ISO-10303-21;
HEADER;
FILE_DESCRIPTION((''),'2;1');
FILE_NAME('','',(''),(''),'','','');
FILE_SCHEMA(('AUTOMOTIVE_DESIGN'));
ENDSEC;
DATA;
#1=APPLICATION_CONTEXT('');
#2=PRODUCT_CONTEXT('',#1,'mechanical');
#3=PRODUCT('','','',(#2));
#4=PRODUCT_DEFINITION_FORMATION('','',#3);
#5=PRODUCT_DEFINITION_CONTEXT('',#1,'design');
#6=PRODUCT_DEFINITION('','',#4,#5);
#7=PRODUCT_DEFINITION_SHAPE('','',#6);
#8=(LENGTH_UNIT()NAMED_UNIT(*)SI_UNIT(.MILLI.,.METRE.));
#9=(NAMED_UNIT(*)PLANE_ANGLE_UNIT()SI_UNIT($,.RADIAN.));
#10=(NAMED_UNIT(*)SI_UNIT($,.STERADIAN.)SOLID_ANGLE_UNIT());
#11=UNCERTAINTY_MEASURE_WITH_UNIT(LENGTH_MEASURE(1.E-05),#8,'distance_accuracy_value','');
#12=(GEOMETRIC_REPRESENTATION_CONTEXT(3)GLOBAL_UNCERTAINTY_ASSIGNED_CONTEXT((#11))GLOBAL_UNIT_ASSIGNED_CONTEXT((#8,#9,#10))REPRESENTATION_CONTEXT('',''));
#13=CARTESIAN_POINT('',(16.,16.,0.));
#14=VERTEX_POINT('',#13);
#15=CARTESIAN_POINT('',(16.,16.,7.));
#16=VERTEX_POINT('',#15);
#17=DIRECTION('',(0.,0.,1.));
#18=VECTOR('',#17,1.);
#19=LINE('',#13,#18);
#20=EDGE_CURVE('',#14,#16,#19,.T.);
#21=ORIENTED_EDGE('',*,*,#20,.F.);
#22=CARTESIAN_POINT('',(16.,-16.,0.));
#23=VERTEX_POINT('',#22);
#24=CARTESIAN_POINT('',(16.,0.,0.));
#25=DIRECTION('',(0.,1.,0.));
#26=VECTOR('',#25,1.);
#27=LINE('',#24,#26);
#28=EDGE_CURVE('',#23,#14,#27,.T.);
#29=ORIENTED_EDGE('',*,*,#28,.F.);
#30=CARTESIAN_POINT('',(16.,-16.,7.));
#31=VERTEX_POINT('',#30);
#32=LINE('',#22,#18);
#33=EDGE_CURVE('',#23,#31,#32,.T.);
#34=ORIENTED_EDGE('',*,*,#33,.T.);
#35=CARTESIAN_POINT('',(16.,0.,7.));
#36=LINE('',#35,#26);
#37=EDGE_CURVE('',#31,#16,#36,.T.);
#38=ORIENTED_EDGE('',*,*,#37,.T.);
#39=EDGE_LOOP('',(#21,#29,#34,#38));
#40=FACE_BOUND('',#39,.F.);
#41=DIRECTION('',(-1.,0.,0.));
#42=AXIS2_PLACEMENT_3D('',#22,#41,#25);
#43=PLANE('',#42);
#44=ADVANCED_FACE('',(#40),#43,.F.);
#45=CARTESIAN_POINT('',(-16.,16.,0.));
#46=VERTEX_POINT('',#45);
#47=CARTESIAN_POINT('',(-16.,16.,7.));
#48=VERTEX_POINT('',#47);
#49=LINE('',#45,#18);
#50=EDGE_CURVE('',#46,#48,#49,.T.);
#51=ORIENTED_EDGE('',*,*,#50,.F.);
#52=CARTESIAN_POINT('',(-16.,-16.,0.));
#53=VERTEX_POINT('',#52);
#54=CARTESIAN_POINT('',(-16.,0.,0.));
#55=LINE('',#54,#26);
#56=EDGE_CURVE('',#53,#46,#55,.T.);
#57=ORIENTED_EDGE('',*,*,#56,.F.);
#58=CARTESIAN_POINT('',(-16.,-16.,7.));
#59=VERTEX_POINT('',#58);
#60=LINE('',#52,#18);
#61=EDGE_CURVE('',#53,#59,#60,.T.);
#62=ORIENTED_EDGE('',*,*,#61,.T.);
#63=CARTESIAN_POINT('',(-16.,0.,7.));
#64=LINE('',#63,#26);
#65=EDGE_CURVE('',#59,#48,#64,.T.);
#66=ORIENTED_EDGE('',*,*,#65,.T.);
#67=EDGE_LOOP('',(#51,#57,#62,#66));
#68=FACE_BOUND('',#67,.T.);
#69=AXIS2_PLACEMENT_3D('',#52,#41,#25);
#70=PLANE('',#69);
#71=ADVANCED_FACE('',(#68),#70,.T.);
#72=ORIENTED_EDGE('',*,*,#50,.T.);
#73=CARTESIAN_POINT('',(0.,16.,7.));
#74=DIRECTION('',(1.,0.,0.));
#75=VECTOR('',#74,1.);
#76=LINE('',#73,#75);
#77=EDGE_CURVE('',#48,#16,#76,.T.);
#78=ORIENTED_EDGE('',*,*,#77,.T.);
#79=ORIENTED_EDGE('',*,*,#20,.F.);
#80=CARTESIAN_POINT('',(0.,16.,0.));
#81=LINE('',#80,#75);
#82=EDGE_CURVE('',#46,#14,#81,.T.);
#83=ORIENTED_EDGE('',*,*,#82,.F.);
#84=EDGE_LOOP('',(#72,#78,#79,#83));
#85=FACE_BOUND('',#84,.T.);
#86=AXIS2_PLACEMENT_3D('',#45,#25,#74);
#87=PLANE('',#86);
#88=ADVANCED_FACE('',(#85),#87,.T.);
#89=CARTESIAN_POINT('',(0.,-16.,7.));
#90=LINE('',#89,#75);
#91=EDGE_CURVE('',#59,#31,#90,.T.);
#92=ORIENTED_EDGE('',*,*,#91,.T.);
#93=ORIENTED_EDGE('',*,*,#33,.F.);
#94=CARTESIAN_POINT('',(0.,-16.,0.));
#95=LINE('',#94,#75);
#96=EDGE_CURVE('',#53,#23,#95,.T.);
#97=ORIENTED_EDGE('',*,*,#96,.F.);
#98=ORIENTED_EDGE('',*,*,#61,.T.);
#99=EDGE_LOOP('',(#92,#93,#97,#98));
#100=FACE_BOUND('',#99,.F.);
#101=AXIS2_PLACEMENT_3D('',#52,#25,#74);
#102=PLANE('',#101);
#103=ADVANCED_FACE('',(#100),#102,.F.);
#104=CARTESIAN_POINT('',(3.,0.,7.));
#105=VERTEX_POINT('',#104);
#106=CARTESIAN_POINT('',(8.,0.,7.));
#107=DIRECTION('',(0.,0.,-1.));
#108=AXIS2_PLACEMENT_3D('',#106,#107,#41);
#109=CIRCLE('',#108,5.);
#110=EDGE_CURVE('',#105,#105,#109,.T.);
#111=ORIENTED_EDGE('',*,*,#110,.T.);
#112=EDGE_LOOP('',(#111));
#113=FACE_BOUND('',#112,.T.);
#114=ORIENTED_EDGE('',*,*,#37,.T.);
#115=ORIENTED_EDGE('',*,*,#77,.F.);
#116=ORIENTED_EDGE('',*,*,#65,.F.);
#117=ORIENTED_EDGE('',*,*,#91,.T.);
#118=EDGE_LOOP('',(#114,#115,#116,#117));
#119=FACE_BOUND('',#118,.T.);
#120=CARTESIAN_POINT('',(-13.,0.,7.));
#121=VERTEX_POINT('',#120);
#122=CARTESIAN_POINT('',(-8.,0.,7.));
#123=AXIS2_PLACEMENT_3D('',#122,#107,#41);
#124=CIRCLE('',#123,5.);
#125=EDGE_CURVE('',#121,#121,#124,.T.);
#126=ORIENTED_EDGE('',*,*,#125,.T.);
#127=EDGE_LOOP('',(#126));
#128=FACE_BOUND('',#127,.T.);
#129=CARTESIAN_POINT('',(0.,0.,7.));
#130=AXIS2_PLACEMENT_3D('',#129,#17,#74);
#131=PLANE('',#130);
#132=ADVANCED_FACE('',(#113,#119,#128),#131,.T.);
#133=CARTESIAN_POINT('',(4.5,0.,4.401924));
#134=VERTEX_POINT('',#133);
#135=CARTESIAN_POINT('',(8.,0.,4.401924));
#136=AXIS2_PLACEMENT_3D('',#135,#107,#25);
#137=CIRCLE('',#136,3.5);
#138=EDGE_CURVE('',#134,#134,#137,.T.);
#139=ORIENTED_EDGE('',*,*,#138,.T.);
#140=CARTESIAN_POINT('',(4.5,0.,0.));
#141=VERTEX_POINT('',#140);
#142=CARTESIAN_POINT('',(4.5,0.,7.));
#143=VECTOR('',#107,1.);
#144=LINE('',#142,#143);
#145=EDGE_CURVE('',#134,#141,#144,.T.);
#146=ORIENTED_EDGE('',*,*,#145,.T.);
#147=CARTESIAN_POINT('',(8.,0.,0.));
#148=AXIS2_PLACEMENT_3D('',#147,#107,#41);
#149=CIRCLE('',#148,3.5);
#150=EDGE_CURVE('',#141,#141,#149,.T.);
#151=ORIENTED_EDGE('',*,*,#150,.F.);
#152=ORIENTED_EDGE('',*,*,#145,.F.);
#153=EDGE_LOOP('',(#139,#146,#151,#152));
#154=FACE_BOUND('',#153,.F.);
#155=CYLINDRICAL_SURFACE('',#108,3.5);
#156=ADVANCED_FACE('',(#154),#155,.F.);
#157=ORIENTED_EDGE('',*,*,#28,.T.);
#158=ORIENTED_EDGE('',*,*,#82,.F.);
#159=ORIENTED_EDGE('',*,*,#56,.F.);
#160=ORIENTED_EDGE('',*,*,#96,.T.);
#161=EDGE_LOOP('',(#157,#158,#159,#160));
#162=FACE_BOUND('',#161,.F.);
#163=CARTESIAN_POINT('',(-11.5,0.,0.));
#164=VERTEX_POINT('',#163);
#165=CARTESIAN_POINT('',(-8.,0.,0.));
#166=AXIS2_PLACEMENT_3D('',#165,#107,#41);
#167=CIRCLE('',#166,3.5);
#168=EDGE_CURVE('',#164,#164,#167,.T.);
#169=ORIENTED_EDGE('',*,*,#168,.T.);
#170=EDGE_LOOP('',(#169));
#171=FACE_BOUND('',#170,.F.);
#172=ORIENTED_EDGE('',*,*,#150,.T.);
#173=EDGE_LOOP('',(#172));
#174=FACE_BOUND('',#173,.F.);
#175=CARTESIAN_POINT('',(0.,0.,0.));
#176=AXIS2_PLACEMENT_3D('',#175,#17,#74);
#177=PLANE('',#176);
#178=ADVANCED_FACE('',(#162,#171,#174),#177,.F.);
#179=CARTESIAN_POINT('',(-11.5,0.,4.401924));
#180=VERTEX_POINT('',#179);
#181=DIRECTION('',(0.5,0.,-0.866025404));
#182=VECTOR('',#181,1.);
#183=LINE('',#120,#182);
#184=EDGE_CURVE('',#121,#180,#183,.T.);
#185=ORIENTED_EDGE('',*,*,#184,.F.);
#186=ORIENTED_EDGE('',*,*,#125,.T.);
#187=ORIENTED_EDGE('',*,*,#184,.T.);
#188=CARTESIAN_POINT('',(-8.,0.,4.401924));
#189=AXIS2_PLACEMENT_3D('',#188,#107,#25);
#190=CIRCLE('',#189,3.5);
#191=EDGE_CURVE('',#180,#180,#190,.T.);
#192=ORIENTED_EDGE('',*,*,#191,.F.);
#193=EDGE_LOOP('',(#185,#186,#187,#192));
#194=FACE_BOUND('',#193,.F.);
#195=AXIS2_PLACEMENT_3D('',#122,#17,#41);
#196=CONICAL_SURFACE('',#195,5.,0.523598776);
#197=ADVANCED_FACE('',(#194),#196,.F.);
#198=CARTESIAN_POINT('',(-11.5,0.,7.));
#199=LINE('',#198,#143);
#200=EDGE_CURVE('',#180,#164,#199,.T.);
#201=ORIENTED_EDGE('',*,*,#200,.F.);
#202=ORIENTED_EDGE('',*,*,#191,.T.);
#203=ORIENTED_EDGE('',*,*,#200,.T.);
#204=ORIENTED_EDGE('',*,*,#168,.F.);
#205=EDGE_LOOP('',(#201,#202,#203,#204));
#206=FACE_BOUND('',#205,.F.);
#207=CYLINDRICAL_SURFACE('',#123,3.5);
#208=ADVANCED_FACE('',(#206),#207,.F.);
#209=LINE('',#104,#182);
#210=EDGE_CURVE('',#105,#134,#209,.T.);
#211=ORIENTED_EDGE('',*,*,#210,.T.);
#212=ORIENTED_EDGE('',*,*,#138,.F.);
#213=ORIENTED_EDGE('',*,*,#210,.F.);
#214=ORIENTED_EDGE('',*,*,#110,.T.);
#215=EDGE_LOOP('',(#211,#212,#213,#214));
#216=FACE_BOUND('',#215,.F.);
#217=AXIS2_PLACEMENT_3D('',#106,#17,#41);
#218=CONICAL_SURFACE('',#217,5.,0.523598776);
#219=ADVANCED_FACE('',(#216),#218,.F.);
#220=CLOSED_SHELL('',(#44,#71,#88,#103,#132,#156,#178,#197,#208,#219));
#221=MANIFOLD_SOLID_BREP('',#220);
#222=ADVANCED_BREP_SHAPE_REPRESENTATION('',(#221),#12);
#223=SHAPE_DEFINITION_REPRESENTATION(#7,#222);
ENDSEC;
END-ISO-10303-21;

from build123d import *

# Parameters (mm, degrees)
F0_W           = 32
F0_H           = 32
F1_DEPTH       = 7
F3_D           = 7
F3_CSINK_D     = 10
F3_CSINK_ANGLE = 60


with BuildPart() as f1:
    # F0 (on Top) → F1 (new body)
    with BuildSketch(Plane.XY):
        Rectangle(F0_W, F0_H)
    extrude(amount=F1_DEPTH)

    # F3 (through all)
    with Locations(Plane.XY.offset(7)):
        with Locations((-8, 0), (8, 0)):
            CounterSinkHole(F3_D / 2, F3_CSINK_D / 2, counter_sink_angle=F3_CSINK_ANGLE)


solid = f1.part
